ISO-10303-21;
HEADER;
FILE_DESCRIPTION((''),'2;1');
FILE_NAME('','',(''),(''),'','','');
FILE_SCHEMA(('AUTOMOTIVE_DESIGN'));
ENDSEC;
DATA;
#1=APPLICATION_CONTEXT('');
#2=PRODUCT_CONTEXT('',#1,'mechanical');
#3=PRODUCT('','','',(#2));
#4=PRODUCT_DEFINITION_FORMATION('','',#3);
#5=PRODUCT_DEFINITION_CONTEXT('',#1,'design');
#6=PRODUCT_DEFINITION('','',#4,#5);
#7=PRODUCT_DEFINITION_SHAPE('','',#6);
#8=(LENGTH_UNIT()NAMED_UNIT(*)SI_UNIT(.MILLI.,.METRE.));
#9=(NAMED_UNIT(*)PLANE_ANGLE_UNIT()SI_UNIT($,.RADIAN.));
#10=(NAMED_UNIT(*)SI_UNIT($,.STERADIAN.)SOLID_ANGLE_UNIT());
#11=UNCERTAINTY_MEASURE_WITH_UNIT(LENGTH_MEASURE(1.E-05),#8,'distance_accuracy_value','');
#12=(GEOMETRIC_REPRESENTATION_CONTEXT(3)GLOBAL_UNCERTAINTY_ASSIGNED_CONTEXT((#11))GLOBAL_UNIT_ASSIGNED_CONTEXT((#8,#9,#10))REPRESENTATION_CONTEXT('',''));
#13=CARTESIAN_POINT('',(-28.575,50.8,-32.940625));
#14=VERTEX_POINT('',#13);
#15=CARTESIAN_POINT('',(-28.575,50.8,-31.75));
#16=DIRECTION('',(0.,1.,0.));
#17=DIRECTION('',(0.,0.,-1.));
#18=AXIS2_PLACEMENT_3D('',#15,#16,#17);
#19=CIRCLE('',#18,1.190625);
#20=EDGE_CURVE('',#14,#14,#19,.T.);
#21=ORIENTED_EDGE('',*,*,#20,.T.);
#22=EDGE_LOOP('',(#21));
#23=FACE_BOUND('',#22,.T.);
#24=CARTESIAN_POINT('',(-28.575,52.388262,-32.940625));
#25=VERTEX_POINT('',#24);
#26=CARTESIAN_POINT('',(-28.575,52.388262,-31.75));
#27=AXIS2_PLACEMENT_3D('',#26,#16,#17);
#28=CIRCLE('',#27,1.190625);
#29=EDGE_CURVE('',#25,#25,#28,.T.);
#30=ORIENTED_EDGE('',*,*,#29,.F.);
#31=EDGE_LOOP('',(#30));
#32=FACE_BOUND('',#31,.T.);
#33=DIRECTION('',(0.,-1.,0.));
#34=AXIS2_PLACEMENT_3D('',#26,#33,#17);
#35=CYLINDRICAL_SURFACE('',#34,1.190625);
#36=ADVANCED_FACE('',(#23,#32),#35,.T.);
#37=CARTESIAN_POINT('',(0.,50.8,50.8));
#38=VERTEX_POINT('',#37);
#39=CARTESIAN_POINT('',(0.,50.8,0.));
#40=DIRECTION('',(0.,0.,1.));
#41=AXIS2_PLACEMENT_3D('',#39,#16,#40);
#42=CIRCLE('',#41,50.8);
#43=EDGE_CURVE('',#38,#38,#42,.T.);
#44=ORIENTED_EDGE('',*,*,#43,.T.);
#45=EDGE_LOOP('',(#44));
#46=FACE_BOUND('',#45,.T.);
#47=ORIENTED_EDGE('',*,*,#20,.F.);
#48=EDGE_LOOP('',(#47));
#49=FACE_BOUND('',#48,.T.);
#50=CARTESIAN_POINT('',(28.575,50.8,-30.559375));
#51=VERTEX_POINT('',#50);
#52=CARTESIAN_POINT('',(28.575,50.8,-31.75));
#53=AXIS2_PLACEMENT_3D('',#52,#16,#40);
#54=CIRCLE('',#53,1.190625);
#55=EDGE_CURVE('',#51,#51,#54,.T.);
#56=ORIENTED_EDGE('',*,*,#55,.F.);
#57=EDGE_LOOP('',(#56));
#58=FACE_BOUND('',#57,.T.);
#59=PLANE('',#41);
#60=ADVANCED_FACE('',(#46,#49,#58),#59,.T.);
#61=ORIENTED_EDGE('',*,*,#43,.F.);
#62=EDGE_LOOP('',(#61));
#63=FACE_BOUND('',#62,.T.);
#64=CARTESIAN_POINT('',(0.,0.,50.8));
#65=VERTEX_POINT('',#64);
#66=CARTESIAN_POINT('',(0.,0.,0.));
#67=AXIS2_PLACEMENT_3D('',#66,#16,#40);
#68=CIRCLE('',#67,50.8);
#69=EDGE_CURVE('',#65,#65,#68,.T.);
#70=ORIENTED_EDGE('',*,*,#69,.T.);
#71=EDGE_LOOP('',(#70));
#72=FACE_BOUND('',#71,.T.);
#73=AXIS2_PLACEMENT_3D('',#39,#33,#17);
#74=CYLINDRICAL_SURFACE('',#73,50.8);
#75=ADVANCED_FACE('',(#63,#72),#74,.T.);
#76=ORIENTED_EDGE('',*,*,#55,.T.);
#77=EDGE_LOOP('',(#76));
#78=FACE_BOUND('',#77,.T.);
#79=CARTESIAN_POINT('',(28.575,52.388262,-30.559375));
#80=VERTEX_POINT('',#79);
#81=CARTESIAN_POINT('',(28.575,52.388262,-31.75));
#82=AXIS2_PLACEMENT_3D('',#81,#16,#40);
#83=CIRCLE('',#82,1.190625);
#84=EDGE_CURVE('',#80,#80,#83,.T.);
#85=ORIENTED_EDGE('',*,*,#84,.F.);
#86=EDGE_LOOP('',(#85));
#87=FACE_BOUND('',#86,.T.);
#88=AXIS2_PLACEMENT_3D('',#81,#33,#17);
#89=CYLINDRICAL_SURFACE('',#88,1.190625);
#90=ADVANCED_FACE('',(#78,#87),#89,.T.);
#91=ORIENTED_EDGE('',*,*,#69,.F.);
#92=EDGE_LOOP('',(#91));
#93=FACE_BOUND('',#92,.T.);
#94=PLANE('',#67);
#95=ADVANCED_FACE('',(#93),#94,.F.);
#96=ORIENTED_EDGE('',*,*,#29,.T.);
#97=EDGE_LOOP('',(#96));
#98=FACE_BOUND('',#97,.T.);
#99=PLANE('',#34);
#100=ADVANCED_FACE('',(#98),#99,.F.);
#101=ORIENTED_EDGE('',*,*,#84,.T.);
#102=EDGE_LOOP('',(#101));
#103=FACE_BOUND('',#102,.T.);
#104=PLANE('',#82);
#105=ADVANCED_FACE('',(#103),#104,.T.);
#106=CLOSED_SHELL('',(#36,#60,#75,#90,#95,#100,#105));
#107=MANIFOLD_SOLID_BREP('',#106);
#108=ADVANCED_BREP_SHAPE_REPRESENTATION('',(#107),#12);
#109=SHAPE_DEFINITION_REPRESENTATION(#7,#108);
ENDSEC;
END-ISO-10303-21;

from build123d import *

# Parameters (mm, degrees)
SKETCH1_R           = 50.8
BOSS_EXTRUDE1_DEPTH = 50.8
SKETCH3_R           = 1.190625
BOSS_EXTRUDE3_DEPTH = 1.588262


with BuildPart() as part:
    # Sketch1 → Boss-Extrude1 (new body)
    with BuildSketch(Plane(origin=(0, 0, 0), x_dir=(1, 0, 0), z_dir=(0, 1, 0))):
        Circle(SKETCH1_R)
    extrude(amount=BOSS_EXTRUDE1_DEPTH)

    # Sketch3 → Boss-Extrude3 (add)
    with BuildSketch(Plane(origin=(0, 50.8, 0), x_dir=(1, 0, 0), z_dir=(0, 1, 0))):
        with Locations((28.575, 31.75)):
            Circle(SKETCH3_R)
        with Locations((-28.575, 31.75)):
            Circle(SKETCH3_R)
    extrude(amount=BOSS_EXTRUDE3_DEPTH)


solid = part.part
